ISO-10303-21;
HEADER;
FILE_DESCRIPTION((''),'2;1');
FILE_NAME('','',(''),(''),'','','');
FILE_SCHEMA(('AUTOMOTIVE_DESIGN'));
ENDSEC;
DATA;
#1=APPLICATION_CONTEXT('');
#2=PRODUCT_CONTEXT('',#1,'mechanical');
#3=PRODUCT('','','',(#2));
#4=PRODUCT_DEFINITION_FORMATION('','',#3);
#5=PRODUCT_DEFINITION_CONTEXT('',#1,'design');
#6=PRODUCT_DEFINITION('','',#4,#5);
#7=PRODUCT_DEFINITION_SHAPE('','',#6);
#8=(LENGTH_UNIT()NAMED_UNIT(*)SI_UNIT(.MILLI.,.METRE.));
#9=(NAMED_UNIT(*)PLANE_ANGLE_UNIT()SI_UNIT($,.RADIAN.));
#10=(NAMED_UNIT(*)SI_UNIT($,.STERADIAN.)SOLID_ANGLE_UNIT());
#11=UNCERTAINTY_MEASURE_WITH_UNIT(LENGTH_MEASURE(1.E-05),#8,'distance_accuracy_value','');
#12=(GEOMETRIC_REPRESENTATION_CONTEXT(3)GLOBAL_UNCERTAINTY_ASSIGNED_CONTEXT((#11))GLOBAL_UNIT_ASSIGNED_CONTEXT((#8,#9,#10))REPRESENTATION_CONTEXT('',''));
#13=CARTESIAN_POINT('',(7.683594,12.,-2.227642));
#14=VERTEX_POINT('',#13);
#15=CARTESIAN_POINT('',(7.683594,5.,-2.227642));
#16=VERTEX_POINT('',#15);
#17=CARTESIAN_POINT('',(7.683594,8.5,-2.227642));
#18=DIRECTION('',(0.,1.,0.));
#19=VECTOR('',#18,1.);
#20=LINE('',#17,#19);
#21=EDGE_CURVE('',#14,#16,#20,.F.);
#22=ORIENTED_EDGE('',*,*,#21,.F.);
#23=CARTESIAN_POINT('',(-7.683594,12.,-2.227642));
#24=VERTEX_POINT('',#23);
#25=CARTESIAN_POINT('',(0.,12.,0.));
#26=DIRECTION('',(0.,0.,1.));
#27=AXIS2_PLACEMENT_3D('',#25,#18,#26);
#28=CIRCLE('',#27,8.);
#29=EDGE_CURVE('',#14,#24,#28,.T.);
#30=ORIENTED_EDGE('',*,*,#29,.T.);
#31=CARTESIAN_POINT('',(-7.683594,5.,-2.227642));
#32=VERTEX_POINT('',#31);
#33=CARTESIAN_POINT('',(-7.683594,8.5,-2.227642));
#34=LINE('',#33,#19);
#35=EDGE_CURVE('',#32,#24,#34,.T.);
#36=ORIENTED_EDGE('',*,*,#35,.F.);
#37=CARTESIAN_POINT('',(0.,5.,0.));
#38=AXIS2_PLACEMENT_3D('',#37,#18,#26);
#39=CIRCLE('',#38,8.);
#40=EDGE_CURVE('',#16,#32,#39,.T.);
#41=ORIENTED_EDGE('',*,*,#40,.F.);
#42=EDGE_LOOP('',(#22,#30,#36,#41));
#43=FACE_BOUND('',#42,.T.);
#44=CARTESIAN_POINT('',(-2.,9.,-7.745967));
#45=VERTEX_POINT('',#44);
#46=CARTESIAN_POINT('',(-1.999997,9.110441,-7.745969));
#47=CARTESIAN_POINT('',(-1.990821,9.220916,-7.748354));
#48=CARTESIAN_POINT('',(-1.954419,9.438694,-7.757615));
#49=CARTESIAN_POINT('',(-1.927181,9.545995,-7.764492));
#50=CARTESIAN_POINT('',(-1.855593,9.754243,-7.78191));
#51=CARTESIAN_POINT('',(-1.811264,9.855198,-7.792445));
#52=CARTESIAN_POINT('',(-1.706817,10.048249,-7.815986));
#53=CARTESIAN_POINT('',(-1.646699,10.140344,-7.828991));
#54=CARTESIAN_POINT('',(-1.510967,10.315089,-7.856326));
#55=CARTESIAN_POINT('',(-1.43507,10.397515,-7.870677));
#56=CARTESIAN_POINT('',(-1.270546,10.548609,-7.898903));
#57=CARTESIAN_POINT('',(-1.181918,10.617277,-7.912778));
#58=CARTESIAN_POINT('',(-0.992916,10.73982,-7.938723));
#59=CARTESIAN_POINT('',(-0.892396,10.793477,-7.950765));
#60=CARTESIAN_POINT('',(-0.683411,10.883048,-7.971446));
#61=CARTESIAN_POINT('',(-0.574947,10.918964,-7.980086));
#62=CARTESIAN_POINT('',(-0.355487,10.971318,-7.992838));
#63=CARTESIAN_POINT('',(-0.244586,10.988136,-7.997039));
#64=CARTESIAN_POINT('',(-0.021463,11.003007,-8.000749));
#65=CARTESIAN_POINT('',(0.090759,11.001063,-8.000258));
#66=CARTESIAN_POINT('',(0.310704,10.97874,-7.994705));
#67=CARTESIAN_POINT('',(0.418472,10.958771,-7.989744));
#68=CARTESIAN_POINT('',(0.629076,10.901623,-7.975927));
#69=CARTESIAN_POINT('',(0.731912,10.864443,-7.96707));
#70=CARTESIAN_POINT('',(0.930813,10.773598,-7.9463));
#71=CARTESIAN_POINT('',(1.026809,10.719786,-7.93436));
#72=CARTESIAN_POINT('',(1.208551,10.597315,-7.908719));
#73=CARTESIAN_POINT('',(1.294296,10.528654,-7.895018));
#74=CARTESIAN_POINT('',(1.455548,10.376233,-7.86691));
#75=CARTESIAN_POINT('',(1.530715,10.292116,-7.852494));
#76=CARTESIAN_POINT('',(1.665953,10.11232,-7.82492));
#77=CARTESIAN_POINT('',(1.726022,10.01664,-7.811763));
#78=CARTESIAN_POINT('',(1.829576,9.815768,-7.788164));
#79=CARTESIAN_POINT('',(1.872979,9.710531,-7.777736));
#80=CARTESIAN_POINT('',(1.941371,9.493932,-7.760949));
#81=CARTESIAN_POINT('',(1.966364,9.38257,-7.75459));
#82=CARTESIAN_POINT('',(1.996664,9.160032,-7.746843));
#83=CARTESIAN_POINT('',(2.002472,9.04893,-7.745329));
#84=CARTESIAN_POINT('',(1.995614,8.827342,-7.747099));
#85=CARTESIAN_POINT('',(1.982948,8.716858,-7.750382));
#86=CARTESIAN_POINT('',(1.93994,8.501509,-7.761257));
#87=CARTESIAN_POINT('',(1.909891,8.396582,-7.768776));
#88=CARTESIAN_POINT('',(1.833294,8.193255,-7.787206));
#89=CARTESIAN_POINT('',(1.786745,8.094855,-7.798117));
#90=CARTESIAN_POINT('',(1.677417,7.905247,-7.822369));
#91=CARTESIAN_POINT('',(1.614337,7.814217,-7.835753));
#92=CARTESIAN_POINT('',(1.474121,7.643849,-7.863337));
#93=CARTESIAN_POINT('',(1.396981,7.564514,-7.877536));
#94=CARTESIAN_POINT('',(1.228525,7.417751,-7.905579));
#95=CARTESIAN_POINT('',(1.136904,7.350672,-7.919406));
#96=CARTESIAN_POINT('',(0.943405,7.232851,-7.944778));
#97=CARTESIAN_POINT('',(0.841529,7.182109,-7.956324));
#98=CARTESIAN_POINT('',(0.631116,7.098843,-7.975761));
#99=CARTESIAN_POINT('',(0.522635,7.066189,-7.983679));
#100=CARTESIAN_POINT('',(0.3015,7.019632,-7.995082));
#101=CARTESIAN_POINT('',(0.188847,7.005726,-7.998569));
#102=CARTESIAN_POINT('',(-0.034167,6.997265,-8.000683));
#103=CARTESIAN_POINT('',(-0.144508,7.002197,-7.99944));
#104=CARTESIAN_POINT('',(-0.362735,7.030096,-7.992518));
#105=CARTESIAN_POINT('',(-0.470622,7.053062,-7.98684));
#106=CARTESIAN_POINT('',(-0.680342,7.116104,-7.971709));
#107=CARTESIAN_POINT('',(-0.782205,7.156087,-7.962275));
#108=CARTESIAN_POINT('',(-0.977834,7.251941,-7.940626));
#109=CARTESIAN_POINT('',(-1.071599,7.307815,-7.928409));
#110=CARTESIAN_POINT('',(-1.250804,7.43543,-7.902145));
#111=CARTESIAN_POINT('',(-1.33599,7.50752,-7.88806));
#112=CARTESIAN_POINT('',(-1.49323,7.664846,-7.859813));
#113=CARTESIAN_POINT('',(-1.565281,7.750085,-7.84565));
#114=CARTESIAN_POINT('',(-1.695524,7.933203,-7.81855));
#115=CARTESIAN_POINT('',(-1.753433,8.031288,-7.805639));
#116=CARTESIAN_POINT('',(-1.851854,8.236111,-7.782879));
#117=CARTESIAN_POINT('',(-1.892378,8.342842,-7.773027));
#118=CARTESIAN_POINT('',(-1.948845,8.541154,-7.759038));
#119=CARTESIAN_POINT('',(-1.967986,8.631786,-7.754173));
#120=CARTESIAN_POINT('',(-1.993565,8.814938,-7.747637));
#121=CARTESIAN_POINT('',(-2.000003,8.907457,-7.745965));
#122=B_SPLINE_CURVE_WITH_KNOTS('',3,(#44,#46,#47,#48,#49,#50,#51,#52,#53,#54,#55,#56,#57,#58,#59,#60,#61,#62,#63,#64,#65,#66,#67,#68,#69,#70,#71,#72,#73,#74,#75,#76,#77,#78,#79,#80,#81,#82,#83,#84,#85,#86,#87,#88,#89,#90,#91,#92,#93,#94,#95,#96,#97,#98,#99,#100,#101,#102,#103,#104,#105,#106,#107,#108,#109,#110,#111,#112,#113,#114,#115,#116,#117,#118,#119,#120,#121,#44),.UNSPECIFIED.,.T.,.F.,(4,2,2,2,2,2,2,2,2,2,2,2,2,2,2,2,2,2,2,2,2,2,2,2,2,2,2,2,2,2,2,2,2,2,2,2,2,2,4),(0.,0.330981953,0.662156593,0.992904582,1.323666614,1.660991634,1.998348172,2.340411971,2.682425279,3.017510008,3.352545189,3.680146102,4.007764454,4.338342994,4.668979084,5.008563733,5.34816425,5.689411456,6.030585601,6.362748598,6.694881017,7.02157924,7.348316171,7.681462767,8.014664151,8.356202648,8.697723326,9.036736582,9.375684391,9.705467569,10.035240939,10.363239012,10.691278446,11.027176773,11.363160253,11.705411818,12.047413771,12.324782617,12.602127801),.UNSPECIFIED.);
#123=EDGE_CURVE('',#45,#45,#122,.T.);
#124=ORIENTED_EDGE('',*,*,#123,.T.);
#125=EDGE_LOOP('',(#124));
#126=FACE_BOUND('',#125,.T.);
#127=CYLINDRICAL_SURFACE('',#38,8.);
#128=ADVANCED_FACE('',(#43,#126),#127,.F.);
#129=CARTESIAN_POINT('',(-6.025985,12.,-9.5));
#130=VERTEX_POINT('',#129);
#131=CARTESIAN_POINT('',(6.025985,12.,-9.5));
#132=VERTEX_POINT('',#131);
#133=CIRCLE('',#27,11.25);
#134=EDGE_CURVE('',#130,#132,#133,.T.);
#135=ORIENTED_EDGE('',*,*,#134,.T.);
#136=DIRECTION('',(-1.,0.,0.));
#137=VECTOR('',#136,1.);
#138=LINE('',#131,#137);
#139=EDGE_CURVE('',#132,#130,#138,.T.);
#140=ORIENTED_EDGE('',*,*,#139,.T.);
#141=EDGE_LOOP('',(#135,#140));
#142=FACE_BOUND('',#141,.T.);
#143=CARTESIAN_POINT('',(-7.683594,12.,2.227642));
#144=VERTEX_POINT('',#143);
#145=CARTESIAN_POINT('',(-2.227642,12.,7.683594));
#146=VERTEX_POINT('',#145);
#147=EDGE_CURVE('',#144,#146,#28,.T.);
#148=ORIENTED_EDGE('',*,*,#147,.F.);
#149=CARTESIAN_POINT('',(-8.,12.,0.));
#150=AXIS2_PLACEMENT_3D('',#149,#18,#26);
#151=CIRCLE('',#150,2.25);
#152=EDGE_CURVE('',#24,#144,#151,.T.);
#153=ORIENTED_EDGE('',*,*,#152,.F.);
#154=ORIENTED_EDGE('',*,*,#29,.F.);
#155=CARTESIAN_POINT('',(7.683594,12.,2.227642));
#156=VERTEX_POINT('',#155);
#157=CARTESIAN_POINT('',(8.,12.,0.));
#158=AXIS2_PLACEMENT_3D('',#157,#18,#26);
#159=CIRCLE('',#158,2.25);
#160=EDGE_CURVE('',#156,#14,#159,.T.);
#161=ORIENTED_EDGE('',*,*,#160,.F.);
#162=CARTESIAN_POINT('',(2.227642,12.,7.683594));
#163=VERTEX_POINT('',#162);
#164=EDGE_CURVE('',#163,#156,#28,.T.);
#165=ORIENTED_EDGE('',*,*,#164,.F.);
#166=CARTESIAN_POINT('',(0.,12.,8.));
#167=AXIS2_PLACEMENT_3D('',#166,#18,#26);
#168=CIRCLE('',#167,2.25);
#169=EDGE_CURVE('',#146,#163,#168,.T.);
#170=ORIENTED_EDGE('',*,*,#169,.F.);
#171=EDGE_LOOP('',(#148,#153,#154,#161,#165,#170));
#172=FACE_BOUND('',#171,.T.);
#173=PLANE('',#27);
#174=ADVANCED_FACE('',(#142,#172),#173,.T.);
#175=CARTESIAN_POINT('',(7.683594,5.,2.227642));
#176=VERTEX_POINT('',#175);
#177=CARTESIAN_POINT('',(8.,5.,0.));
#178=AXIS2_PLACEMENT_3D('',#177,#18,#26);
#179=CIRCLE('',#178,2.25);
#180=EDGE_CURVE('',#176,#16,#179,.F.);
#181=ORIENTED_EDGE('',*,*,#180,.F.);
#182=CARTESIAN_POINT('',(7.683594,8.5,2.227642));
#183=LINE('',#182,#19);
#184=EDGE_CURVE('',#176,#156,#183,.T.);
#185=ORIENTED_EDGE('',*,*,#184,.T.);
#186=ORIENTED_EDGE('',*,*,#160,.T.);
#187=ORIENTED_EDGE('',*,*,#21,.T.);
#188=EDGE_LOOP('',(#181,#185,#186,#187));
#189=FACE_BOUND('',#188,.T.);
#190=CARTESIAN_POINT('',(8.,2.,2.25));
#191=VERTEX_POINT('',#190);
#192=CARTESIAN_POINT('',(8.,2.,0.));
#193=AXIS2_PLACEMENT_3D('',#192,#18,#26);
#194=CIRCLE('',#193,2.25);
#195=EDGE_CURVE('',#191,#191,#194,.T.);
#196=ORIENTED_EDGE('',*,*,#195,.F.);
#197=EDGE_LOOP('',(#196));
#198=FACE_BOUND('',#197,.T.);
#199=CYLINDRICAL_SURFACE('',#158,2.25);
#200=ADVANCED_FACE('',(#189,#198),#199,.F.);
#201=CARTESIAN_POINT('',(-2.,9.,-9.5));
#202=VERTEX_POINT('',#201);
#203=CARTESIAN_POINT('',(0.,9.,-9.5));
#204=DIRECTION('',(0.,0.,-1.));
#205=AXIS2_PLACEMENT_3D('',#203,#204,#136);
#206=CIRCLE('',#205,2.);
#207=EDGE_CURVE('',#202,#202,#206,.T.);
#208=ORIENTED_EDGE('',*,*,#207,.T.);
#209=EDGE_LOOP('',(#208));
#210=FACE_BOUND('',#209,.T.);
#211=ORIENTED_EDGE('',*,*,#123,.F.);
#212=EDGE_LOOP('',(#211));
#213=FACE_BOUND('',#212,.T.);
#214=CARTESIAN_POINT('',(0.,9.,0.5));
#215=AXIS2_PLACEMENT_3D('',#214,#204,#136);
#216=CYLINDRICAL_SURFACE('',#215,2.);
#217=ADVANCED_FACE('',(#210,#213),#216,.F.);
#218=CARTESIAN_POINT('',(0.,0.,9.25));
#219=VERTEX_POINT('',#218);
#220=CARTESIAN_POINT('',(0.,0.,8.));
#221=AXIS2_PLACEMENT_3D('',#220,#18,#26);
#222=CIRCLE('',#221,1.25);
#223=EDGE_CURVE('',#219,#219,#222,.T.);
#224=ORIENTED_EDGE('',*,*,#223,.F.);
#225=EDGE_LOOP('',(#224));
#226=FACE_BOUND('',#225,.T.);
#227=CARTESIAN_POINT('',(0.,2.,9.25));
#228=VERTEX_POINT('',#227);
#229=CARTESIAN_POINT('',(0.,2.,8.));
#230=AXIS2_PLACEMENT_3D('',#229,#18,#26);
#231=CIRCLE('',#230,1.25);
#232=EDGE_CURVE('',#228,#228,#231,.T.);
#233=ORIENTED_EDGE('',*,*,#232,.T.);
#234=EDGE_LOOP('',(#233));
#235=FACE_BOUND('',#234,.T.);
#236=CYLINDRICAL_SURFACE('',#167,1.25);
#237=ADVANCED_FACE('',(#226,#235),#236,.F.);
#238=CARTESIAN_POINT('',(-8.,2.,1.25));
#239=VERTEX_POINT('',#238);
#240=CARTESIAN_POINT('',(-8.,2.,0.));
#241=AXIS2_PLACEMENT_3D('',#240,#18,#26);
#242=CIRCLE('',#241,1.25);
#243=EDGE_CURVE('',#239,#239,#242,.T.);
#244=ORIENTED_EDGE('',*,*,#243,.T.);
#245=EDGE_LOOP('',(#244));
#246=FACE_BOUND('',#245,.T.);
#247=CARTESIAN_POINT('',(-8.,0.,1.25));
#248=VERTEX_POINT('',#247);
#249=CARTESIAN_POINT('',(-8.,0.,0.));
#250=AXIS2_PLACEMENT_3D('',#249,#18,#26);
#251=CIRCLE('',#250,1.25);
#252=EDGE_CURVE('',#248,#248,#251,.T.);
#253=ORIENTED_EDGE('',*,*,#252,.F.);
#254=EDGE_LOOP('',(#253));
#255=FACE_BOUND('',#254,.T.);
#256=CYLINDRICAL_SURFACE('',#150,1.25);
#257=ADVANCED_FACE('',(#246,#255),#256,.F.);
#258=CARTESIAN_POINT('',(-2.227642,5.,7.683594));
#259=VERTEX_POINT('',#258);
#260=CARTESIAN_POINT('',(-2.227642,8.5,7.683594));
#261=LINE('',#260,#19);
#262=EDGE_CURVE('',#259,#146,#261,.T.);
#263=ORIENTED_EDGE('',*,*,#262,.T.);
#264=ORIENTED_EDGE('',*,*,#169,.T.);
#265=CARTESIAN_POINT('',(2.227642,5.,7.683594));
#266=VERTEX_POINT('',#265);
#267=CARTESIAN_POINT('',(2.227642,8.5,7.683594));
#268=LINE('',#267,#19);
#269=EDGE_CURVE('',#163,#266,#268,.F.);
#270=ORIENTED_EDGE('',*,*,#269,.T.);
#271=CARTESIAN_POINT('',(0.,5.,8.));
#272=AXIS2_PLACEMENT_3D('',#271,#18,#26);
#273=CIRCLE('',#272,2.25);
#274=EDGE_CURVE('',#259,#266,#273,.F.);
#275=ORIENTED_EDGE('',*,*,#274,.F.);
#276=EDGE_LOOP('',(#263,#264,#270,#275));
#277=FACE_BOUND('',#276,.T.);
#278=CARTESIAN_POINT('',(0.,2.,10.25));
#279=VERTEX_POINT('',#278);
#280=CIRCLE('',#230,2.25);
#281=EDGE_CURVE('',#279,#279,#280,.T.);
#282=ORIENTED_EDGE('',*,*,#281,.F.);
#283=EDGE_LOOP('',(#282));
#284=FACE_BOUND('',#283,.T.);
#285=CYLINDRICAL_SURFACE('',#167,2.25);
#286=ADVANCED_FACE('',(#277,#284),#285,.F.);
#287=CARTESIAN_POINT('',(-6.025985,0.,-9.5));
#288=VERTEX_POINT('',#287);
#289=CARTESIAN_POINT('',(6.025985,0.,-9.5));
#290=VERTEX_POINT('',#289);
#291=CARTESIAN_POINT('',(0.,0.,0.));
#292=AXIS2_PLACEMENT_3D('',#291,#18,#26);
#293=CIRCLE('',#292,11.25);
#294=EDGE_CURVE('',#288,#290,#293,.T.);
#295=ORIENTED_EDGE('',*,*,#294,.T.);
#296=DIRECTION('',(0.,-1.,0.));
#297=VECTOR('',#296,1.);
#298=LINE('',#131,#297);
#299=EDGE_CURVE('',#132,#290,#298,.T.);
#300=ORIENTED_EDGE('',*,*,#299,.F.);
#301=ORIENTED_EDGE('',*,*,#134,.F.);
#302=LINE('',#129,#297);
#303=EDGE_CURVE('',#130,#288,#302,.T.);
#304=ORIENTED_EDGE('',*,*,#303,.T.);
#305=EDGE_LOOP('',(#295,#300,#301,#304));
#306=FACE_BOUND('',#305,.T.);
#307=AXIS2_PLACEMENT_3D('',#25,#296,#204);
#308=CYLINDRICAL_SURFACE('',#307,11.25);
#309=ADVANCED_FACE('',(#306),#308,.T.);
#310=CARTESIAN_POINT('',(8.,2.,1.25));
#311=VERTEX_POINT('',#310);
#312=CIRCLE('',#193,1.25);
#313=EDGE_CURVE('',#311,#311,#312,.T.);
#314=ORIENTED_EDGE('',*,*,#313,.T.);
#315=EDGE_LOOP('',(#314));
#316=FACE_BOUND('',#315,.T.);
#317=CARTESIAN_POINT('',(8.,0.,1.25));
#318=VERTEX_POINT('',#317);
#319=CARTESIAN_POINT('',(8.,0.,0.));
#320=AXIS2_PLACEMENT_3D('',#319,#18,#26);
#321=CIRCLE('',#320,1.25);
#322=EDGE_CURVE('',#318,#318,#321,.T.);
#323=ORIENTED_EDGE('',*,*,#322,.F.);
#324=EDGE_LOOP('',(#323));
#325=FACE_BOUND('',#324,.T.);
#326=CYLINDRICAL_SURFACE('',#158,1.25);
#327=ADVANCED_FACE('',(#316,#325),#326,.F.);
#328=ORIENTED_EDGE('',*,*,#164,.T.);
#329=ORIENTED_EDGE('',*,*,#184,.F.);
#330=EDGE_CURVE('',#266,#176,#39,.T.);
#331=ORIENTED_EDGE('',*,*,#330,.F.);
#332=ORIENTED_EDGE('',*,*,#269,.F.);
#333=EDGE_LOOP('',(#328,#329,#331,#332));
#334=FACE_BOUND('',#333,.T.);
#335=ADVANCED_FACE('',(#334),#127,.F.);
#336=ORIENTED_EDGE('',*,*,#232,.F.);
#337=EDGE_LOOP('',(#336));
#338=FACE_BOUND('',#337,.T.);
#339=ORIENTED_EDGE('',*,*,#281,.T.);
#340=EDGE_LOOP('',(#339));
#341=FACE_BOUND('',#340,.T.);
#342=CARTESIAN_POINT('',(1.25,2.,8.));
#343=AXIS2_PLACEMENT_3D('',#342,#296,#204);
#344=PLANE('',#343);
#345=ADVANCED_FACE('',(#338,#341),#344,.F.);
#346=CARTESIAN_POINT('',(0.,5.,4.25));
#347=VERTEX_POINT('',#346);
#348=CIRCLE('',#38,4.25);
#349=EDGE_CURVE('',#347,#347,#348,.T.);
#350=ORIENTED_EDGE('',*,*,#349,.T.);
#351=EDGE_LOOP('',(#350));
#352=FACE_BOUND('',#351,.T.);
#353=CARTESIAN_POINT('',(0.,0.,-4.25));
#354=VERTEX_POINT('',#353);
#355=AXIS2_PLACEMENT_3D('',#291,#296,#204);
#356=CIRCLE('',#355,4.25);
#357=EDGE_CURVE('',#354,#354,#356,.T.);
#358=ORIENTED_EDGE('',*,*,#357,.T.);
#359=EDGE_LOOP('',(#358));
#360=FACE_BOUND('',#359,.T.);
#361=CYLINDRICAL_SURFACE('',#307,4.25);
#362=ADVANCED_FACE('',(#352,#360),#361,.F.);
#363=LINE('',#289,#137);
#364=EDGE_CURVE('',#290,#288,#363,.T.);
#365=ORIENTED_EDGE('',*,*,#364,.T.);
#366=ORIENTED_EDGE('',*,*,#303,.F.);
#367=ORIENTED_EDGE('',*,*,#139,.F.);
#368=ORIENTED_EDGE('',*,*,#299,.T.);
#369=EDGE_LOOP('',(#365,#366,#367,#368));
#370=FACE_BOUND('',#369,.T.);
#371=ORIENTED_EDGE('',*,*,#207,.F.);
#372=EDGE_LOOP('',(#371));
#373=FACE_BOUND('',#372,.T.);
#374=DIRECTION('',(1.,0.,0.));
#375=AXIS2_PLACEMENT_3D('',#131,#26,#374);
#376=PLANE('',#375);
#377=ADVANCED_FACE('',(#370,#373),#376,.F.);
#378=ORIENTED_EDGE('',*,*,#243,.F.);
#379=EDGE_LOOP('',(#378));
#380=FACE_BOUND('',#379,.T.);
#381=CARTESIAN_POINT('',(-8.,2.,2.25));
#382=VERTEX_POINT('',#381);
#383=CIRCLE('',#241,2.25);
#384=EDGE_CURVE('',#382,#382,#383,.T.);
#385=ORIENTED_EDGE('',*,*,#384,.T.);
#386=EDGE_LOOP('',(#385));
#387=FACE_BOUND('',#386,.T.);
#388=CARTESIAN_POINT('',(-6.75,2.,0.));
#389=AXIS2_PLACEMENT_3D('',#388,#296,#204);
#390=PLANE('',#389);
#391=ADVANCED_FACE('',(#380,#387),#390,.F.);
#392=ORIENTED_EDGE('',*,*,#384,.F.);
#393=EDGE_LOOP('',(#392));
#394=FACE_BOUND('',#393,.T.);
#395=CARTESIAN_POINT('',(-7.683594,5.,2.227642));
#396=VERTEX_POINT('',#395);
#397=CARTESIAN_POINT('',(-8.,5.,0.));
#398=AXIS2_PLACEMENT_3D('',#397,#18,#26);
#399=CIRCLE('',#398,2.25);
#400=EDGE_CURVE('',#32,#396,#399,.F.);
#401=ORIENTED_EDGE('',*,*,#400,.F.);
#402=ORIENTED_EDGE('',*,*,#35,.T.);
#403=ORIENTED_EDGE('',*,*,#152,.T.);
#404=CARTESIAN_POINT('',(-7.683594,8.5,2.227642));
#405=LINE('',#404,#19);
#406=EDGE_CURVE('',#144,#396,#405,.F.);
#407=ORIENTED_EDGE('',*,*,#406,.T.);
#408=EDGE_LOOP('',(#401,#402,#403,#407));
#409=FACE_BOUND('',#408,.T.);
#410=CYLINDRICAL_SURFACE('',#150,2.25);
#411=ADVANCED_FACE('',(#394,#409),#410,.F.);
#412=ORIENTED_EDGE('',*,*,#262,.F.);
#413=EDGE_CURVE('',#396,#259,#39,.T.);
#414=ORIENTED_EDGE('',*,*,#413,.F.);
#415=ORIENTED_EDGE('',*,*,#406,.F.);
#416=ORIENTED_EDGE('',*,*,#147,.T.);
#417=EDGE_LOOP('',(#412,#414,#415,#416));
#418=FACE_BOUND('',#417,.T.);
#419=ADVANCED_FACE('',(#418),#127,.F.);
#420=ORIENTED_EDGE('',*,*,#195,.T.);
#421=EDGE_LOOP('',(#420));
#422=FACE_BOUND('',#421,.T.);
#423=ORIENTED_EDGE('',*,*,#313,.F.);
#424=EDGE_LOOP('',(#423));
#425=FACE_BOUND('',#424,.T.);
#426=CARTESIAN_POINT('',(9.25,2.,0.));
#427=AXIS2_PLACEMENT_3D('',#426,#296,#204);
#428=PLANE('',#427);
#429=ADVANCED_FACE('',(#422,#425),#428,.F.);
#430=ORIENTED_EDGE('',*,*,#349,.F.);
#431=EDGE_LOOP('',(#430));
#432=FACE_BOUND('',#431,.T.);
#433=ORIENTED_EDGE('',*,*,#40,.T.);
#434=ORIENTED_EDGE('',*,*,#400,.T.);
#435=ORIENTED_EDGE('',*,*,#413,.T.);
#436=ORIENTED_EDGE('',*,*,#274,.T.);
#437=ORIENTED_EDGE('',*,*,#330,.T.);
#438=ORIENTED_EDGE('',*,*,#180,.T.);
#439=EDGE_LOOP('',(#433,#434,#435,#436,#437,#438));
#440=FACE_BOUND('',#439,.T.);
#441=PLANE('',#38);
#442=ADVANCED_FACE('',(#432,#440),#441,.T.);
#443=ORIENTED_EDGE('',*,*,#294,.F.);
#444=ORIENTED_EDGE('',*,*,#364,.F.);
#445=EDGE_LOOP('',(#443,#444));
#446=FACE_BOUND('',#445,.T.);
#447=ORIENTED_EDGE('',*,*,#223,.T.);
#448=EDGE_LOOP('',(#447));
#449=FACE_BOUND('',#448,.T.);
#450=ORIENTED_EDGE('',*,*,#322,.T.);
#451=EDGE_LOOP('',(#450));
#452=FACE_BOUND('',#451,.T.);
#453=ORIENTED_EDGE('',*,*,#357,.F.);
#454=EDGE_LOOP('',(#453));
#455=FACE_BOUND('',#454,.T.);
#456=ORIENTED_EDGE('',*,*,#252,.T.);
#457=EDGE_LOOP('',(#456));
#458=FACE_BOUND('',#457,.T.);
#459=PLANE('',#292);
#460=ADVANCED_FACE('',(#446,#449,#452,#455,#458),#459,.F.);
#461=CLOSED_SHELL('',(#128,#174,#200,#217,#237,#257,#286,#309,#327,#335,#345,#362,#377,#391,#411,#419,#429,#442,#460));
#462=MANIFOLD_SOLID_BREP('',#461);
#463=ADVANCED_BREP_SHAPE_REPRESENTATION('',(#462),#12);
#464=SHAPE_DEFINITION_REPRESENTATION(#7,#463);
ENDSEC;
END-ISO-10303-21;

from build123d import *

# Parameters (mm, degrees)
BOSS_EXTRU_1_DEPTH                              = 12
CHAMBRAGE_POUR_VIS_T_TE_CYLINDRIQUE_D           = 2.5
CHAMBRAGE_POUR_VIS_T_TE_CYLINDRIQUE_CBORE_D     = 4.5
CHAMBRAGE_POUR_VIS_T_TE_CYLINDRIQUE_CBORE_DEPTH = 10
ESQUISSE12_R                                    = 8
ENL_V_MAT_EXTRU_1_DEPTH                         = 7
ESQUISSE14_R                                    = 2
ENL_V_MAT_EXTRU_2_DEPTH                         = 10
ESQUISSE15_R                                    = 4.25
ENL_V_MAT_EXTRU_3_DEPTH                         = 20.927995444


with BuildPart() as part:
    # Esquisse1 → Boss.-Extru.1 (new body)
    with BuildSketch(Plane(origin=(0, 0, 0), x_dir=(1, 0, 0), z_dir=(0, 1, 0))):
        with BuildLine():
            Line((6.025985397, 9.5), (-6.025985397, 9.5))
            ThreePointArc((-6.025985397, 9.5), (0, -11.25), (6.025985397, 9.5))
        make_face()
    extrude(amount=BOSS_EXTRU_1_DEPTH)

    # Chambrage pour vis à tête cylindrique à 6 pans creux (ou vis CHC) M21 (through all)
    with Locations(Plane(origin=(0, 12, 0), x_dir=(1, 0, 0), z_dir=(0, 1, 0))):
        with Locations((8, 0), (0, -8), (-8, 0)):
            CounterBoreHole(CHAMBRAGE_POUR_VIS_T_TE_CYLINDRIQUE_D / 2, CHAMBRAGE_POUR_VIS_T_TE_CYLINDRIQUE_CBORE_D / 2, CHAMBRAGE_POUR_VIS_T_TE_CYLINDRIQUE_CBORE_DEPTH)

    # Esquisse12 → Enlèv. mat.-Extru.1 (cut)
    with BuildSketch(Plane(origin=(0, 12, 0), x_dir=(1, 0, 0), z_dir=(0, 1, 0))):
        Circle(ESQUISSE12_R)
    extrude(amount=-ENL_V_MAT_EXTRU_1_DEPTH, mode=Mode.SUBTRACT)

    # Esquisse14 → Enlèv. mat.-Extru.2 (cut)
    with BuildSketch(Plane(origin=(0, 0, -9.5), x_dir=(-1, 0, 0), z_dir=(0, 0, -1))):
        with Locations((0, 9)):
            Circle(ESQUISSE14_R)
    extrude(amount=-ENL_V_MAT_EXTRU_2_DEPTH, mode=Mode.SUBTRACT)

    # Esquisse15 → Enlèv. mat.-Extru.3 (cut, through all)
    with BuildSketch(Plane.XZ):
        with Locations(Location((0, 0, 0), (0, 0, 270))):
            Circle(ESQUISSE15_R)
    extrude(amount=-ENL_V_MAT_EXTRU_3_DEPTH, mode=Mode.SUBTRACT)


solid = part.part
